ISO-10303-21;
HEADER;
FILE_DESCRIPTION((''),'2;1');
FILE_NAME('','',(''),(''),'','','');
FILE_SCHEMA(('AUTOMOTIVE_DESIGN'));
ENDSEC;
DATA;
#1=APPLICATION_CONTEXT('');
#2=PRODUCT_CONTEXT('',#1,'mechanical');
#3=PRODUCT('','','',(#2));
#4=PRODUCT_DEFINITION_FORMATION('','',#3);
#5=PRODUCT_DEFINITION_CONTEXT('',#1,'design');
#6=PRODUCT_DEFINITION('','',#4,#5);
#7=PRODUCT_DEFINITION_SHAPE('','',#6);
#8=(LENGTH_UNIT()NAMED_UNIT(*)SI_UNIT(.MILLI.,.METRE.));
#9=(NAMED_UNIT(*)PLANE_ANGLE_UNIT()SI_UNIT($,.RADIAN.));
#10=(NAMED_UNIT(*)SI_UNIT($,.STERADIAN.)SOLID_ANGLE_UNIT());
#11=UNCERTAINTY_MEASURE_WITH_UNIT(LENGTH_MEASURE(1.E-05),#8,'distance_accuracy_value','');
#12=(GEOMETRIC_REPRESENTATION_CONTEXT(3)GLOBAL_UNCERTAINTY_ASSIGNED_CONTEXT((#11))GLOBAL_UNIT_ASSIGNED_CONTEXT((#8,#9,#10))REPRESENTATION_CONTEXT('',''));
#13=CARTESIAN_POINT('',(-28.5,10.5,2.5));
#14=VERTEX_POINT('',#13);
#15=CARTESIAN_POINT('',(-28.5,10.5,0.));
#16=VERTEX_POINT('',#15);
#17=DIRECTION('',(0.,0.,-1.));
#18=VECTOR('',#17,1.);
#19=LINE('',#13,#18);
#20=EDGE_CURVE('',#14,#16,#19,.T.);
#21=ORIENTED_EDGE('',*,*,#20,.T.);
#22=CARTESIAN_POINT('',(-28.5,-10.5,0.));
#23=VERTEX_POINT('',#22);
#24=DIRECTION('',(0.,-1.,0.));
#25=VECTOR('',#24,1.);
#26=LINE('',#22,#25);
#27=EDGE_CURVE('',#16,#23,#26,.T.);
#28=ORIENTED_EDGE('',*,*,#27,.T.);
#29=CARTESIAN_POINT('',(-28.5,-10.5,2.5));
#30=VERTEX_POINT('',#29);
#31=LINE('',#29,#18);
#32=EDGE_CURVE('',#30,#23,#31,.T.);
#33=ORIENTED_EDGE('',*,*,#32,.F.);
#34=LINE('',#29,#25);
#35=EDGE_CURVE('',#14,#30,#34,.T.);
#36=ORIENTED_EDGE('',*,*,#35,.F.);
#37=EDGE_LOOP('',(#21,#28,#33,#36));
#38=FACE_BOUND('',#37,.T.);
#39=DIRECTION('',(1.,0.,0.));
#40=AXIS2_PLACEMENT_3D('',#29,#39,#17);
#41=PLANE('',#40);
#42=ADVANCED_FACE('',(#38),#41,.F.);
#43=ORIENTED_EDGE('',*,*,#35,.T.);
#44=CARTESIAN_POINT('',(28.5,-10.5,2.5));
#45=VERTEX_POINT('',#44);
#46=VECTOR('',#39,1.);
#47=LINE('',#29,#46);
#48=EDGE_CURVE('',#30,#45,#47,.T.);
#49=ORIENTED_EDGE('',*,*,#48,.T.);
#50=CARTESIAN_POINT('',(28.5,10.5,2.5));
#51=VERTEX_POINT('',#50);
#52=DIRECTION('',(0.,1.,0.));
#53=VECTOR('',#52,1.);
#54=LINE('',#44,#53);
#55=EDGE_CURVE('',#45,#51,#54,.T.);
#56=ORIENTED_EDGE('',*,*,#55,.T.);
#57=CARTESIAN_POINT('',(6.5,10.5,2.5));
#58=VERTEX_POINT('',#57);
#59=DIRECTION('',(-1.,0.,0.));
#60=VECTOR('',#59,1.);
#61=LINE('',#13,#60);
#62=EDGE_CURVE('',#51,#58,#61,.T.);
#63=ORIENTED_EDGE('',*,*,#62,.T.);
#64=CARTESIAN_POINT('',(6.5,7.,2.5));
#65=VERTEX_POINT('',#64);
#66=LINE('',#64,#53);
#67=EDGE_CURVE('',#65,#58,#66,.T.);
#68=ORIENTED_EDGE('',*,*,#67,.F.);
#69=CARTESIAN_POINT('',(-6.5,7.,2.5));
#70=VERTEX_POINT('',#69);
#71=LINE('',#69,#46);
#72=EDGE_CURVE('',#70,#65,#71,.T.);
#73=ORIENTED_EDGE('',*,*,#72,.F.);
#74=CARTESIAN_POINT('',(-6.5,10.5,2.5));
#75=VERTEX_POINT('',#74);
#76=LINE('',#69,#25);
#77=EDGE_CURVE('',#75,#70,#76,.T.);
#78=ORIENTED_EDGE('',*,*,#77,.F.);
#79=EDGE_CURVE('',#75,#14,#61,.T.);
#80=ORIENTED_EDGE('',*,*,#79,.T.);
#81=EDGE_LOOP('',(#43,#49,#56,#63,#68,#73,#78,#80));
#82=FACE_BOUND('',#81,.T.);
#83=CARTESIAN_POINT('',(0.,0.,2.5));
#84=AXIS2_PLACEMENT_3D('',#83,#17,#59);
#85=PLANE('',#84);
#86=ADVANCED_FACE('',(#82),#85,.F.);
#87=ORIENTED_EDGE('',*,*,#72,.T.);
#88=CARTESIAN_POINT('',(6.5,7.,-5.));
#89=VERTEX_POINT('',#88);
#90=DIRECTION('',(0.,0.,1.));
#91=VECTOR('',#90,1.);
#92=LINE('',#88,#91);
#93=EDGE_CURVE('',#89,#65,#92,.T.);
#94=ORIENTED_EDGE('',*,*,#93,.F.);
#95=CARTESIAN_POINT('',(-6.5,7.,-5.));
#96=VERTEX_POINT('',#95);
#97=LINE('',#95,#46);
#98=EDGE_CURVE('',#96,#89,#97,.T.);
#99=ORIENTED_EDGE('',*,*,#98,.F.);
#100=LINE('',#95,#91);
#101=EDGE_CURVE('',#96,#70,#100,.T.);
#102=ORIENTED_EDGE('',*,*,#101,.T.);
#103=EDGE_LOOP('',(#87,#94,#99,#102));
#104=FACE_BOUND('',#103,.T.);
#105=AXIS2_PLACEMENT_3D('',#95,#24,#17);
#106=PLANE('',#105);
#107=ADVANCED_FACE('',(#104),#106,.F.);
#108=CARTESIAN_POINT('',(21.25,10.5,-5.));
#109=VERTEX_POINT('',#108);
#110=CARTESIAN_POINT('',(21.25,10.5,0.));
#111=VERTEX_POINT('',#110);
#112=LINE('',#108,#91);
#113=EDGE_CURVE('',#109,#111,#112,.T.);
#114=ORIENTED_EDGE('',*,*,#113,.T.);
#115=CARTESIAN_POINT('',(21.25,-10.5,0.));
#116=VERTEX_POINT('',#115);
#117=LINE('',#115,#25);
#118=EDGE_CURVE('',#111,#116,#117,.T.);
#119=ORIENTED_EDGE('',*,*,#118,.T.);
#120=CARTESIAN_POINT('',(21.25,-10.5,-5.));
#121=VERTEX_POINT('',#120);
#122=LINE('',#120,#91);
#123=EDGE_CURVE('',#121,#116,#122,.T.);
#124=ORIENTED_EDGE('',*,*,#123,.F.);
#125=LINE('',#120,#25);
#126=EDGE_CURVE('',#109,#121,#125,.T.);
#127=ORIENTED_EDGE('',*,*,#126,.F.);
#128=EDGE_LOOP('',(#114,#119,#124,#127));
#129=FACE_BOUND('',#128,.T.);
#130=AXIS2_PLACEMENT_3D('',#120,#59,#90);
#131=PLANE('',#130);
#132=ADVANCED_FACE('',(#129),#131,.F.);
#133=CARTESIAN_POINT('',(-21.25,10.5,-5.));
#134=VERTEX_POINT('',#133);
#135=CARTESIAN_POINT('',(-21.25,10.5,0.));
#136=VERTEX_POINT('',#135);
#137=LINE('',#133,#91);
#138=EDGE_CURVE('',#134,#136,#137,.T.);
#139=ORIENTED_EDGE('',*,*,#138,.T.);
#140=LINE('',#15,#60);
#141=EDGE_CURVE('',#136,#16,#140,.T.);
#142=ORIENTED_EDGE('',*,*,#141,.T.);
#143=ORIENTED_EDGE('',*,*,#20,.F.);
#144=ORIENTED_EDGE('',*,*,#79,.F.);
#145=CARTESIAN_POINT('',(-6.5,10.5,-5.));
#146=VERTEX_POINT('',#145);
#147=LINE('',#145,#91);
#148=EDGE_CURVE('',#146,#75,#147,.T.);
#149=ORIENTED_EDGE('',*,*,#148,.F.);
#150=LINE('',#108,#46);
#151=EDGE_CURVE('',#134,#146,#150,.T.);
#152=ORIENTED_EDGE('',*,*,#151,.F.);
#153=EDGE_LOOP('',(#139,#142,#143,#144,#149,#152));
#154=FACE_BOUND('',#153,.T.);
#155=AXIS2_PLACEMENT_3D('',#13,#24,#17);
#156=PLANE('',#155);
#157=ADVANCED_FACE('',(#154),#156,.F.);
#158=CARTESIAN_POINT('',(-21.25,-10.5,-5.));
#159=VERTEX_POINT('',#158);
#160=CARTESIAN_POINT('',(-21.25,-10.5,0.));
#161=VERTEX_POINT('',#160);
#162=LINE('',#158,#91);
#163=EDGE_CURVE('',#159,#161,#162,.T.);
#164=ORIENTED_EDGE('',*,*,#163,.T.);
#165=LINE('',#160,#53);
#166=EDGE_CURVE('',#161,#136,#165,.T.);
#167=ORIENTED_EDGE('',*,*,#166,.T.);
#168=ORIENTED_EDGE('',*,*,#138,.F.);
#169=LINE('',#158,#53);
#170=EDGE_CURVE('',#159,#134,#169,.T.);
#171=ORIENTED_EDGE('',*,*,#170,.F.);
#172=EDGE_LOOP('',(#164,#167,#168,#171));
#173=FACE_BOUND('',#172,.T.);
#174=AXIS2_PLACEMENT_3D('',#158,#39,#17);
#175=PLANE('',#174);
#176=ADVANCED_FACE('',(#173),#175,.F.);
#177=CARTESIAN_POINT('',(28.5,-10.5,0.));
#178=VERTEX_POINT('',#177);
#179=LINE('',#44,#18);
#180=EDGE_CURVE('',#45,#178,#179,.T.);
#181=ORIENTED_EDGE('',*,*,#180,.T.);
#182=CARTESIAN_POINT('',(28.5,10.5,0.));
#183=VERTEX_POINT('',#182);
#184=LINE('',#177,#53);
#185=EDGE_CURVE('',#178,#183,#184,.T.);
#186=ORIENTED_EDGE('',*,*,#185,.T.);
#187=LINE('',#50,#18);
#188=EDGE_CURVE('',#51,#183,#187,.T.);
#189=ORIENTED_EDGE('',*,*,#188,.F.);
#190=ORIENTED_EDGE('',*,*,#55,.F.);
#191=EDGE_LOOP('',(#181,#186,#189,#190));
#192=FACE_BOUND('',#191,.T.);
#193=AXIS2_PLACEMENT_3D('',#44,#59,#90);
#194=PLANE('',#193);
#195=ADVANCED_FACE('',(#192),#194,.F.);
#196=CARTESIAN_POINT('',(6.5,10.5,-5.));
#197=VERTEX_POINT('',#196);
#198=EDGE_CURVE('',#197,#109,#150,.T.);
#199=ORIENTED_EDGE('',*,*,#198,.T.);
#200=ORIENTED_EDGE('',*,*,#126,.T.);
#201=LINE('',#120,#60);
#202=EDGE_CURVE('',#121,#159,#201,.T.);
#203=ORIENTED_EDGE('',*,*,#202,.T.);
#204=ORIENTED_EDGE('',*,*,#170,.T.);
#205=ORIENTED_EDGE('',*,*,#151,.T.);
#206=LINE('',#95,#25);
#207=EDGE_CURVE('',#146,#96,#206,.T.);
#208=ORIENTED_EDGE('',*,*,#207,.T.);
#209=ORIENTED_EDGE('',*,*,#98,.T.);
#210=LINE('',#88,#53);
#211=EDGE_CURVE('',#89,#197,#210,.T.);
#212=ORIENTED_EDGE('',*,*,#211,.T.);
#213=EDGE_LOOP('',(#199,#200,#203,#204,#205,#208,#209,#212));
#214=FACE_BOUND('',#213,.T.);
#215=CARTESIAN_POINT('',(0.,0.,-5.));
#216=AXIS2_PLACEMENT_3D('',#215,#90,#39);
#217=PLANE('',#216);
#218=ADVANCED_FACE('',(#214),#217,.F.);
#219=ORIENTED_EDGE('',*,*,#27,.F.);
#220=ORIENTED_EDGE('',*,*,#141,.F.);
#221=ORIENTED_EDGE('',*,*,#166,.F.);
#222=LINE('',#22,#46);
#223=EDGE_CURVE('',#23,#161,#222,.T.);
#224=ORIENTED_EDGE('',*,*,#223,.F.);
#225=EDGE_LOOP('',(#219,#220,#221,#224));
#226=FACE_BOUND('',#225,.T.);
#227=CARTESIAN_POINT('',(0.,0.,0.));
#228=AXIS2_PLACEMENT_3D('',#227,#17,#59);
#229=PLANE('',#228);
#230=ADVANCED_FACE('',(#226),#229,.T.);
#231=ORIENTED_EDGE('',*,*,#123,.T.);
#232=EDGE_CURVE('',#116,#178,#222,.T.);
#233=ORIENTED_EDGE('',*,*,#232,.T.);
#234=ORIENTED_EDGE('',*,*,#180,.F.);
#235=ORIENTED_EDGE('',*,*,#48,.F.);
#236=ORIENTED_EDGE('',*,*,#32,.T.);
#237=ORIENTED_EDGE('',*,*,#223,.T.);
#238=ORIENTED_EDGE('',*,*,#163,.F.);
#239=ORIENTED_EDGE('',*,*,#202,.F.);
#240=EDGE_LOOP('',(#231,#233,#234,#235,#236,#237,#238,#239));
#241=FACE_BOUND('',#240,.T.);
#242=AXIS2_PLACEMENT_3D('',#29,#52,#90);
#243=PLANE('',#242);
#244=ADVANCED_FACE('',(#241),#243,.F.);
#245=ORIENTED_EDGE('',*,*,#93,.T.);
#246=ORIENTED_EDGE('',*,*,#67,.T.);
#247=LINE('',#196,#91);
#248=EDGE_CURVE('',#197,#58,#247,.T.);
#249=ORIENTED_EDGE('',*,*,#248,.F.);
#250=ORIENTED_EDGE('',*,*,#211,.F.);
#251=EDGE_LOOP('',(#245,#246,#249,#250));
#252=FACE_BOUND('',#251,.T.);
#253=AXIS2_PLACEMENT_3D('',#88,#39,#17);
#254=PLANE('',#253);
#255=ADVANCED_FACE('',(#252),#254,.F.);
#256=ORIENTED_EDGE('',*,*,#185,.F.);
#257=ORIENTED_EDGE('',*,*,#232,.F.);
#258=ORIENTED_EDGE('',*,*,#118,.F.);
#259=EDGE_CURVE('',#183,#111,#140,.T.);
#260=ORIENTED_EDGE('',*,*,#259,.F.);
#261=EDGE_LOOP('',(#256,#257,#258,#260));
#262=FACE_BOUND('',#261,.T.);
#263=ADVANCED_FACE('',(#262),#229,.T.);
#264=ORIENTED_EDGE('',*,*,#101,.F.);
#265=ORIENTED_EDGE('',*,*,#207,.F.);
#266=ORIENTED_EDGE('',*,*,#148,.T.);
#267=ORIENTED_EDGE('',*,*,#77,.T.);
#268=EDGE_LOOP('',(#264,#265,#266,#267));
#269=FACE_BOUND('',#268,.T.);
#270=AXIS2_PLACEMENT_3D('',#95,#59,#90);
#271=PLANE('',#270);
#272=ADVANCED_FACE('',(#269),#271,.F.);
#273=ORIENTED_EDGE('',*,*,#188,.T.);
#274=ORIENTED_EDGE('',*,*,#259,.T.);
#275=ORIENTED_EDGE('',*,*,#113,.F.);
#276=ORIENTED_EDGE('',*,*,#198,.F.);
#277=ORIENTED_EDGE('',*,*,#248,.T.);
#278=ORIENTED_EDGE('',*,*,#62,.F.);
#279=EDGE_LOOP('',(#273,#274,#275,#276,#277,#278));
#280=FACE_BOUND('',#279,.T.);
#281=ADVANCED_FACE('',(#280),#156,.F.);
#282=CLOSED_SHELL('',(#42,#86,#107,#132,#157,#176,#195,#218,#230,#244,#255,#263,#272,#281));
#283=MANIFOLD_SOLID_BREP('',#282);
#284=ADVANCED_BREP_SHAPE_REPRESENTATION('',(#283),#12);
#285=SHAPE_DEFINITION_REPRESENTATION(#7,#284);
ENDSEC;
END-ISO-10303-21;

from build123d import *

# Parameters (mm, degrees)
SKETCH1_W           = 57
SKETCH1_H           = 21
BOSS_EXTRUDE1_DEPTH = 2.5
SKETCH2_W           = 42.5
SKETCH2_H           = 21
BOSS_EXTRUDE2_DEPTH = 5
SKETCH3_W           = 13
SKETCH3_H           = 3.5
CUT_EXTRUDE1_DEPTH  = 8.5


with BuildPart() as part:
    # Sketch1 → Boss-Extrude1 (new body)
    with BuildSketch(Plane.XY):
        Rectangle(SKETCH1_W, SKETCH1_H)
    extrude(amount=BOSS_EXTRUDE1_DEPTH)

    # Sketch2 → Boss-Extrude2 (add)
    with BuildSketch(Plane(origin=(0, 0, 0), x_dir=(-1, 0, 0), z_dir=(0, 0, -1))):
        Rectangle(SKETCH2_W, SKETCH2_H)
    extrude(amount=BOSS_EXTRUDE2_DEPTH)

    # Sketch3 → Cut-Extrude1 (cut, through all)
    with BuildSketch(Plane.XY.offset(2.5)):
        with Locations((0, 8.75)):
            Rectangle(SKETCH3_W, SKETCH3_H)
    extrude(amount=-CUT_EXTRUDE1_DEPTH, mode=Mode.SUBTRACT)


solid = part.part
